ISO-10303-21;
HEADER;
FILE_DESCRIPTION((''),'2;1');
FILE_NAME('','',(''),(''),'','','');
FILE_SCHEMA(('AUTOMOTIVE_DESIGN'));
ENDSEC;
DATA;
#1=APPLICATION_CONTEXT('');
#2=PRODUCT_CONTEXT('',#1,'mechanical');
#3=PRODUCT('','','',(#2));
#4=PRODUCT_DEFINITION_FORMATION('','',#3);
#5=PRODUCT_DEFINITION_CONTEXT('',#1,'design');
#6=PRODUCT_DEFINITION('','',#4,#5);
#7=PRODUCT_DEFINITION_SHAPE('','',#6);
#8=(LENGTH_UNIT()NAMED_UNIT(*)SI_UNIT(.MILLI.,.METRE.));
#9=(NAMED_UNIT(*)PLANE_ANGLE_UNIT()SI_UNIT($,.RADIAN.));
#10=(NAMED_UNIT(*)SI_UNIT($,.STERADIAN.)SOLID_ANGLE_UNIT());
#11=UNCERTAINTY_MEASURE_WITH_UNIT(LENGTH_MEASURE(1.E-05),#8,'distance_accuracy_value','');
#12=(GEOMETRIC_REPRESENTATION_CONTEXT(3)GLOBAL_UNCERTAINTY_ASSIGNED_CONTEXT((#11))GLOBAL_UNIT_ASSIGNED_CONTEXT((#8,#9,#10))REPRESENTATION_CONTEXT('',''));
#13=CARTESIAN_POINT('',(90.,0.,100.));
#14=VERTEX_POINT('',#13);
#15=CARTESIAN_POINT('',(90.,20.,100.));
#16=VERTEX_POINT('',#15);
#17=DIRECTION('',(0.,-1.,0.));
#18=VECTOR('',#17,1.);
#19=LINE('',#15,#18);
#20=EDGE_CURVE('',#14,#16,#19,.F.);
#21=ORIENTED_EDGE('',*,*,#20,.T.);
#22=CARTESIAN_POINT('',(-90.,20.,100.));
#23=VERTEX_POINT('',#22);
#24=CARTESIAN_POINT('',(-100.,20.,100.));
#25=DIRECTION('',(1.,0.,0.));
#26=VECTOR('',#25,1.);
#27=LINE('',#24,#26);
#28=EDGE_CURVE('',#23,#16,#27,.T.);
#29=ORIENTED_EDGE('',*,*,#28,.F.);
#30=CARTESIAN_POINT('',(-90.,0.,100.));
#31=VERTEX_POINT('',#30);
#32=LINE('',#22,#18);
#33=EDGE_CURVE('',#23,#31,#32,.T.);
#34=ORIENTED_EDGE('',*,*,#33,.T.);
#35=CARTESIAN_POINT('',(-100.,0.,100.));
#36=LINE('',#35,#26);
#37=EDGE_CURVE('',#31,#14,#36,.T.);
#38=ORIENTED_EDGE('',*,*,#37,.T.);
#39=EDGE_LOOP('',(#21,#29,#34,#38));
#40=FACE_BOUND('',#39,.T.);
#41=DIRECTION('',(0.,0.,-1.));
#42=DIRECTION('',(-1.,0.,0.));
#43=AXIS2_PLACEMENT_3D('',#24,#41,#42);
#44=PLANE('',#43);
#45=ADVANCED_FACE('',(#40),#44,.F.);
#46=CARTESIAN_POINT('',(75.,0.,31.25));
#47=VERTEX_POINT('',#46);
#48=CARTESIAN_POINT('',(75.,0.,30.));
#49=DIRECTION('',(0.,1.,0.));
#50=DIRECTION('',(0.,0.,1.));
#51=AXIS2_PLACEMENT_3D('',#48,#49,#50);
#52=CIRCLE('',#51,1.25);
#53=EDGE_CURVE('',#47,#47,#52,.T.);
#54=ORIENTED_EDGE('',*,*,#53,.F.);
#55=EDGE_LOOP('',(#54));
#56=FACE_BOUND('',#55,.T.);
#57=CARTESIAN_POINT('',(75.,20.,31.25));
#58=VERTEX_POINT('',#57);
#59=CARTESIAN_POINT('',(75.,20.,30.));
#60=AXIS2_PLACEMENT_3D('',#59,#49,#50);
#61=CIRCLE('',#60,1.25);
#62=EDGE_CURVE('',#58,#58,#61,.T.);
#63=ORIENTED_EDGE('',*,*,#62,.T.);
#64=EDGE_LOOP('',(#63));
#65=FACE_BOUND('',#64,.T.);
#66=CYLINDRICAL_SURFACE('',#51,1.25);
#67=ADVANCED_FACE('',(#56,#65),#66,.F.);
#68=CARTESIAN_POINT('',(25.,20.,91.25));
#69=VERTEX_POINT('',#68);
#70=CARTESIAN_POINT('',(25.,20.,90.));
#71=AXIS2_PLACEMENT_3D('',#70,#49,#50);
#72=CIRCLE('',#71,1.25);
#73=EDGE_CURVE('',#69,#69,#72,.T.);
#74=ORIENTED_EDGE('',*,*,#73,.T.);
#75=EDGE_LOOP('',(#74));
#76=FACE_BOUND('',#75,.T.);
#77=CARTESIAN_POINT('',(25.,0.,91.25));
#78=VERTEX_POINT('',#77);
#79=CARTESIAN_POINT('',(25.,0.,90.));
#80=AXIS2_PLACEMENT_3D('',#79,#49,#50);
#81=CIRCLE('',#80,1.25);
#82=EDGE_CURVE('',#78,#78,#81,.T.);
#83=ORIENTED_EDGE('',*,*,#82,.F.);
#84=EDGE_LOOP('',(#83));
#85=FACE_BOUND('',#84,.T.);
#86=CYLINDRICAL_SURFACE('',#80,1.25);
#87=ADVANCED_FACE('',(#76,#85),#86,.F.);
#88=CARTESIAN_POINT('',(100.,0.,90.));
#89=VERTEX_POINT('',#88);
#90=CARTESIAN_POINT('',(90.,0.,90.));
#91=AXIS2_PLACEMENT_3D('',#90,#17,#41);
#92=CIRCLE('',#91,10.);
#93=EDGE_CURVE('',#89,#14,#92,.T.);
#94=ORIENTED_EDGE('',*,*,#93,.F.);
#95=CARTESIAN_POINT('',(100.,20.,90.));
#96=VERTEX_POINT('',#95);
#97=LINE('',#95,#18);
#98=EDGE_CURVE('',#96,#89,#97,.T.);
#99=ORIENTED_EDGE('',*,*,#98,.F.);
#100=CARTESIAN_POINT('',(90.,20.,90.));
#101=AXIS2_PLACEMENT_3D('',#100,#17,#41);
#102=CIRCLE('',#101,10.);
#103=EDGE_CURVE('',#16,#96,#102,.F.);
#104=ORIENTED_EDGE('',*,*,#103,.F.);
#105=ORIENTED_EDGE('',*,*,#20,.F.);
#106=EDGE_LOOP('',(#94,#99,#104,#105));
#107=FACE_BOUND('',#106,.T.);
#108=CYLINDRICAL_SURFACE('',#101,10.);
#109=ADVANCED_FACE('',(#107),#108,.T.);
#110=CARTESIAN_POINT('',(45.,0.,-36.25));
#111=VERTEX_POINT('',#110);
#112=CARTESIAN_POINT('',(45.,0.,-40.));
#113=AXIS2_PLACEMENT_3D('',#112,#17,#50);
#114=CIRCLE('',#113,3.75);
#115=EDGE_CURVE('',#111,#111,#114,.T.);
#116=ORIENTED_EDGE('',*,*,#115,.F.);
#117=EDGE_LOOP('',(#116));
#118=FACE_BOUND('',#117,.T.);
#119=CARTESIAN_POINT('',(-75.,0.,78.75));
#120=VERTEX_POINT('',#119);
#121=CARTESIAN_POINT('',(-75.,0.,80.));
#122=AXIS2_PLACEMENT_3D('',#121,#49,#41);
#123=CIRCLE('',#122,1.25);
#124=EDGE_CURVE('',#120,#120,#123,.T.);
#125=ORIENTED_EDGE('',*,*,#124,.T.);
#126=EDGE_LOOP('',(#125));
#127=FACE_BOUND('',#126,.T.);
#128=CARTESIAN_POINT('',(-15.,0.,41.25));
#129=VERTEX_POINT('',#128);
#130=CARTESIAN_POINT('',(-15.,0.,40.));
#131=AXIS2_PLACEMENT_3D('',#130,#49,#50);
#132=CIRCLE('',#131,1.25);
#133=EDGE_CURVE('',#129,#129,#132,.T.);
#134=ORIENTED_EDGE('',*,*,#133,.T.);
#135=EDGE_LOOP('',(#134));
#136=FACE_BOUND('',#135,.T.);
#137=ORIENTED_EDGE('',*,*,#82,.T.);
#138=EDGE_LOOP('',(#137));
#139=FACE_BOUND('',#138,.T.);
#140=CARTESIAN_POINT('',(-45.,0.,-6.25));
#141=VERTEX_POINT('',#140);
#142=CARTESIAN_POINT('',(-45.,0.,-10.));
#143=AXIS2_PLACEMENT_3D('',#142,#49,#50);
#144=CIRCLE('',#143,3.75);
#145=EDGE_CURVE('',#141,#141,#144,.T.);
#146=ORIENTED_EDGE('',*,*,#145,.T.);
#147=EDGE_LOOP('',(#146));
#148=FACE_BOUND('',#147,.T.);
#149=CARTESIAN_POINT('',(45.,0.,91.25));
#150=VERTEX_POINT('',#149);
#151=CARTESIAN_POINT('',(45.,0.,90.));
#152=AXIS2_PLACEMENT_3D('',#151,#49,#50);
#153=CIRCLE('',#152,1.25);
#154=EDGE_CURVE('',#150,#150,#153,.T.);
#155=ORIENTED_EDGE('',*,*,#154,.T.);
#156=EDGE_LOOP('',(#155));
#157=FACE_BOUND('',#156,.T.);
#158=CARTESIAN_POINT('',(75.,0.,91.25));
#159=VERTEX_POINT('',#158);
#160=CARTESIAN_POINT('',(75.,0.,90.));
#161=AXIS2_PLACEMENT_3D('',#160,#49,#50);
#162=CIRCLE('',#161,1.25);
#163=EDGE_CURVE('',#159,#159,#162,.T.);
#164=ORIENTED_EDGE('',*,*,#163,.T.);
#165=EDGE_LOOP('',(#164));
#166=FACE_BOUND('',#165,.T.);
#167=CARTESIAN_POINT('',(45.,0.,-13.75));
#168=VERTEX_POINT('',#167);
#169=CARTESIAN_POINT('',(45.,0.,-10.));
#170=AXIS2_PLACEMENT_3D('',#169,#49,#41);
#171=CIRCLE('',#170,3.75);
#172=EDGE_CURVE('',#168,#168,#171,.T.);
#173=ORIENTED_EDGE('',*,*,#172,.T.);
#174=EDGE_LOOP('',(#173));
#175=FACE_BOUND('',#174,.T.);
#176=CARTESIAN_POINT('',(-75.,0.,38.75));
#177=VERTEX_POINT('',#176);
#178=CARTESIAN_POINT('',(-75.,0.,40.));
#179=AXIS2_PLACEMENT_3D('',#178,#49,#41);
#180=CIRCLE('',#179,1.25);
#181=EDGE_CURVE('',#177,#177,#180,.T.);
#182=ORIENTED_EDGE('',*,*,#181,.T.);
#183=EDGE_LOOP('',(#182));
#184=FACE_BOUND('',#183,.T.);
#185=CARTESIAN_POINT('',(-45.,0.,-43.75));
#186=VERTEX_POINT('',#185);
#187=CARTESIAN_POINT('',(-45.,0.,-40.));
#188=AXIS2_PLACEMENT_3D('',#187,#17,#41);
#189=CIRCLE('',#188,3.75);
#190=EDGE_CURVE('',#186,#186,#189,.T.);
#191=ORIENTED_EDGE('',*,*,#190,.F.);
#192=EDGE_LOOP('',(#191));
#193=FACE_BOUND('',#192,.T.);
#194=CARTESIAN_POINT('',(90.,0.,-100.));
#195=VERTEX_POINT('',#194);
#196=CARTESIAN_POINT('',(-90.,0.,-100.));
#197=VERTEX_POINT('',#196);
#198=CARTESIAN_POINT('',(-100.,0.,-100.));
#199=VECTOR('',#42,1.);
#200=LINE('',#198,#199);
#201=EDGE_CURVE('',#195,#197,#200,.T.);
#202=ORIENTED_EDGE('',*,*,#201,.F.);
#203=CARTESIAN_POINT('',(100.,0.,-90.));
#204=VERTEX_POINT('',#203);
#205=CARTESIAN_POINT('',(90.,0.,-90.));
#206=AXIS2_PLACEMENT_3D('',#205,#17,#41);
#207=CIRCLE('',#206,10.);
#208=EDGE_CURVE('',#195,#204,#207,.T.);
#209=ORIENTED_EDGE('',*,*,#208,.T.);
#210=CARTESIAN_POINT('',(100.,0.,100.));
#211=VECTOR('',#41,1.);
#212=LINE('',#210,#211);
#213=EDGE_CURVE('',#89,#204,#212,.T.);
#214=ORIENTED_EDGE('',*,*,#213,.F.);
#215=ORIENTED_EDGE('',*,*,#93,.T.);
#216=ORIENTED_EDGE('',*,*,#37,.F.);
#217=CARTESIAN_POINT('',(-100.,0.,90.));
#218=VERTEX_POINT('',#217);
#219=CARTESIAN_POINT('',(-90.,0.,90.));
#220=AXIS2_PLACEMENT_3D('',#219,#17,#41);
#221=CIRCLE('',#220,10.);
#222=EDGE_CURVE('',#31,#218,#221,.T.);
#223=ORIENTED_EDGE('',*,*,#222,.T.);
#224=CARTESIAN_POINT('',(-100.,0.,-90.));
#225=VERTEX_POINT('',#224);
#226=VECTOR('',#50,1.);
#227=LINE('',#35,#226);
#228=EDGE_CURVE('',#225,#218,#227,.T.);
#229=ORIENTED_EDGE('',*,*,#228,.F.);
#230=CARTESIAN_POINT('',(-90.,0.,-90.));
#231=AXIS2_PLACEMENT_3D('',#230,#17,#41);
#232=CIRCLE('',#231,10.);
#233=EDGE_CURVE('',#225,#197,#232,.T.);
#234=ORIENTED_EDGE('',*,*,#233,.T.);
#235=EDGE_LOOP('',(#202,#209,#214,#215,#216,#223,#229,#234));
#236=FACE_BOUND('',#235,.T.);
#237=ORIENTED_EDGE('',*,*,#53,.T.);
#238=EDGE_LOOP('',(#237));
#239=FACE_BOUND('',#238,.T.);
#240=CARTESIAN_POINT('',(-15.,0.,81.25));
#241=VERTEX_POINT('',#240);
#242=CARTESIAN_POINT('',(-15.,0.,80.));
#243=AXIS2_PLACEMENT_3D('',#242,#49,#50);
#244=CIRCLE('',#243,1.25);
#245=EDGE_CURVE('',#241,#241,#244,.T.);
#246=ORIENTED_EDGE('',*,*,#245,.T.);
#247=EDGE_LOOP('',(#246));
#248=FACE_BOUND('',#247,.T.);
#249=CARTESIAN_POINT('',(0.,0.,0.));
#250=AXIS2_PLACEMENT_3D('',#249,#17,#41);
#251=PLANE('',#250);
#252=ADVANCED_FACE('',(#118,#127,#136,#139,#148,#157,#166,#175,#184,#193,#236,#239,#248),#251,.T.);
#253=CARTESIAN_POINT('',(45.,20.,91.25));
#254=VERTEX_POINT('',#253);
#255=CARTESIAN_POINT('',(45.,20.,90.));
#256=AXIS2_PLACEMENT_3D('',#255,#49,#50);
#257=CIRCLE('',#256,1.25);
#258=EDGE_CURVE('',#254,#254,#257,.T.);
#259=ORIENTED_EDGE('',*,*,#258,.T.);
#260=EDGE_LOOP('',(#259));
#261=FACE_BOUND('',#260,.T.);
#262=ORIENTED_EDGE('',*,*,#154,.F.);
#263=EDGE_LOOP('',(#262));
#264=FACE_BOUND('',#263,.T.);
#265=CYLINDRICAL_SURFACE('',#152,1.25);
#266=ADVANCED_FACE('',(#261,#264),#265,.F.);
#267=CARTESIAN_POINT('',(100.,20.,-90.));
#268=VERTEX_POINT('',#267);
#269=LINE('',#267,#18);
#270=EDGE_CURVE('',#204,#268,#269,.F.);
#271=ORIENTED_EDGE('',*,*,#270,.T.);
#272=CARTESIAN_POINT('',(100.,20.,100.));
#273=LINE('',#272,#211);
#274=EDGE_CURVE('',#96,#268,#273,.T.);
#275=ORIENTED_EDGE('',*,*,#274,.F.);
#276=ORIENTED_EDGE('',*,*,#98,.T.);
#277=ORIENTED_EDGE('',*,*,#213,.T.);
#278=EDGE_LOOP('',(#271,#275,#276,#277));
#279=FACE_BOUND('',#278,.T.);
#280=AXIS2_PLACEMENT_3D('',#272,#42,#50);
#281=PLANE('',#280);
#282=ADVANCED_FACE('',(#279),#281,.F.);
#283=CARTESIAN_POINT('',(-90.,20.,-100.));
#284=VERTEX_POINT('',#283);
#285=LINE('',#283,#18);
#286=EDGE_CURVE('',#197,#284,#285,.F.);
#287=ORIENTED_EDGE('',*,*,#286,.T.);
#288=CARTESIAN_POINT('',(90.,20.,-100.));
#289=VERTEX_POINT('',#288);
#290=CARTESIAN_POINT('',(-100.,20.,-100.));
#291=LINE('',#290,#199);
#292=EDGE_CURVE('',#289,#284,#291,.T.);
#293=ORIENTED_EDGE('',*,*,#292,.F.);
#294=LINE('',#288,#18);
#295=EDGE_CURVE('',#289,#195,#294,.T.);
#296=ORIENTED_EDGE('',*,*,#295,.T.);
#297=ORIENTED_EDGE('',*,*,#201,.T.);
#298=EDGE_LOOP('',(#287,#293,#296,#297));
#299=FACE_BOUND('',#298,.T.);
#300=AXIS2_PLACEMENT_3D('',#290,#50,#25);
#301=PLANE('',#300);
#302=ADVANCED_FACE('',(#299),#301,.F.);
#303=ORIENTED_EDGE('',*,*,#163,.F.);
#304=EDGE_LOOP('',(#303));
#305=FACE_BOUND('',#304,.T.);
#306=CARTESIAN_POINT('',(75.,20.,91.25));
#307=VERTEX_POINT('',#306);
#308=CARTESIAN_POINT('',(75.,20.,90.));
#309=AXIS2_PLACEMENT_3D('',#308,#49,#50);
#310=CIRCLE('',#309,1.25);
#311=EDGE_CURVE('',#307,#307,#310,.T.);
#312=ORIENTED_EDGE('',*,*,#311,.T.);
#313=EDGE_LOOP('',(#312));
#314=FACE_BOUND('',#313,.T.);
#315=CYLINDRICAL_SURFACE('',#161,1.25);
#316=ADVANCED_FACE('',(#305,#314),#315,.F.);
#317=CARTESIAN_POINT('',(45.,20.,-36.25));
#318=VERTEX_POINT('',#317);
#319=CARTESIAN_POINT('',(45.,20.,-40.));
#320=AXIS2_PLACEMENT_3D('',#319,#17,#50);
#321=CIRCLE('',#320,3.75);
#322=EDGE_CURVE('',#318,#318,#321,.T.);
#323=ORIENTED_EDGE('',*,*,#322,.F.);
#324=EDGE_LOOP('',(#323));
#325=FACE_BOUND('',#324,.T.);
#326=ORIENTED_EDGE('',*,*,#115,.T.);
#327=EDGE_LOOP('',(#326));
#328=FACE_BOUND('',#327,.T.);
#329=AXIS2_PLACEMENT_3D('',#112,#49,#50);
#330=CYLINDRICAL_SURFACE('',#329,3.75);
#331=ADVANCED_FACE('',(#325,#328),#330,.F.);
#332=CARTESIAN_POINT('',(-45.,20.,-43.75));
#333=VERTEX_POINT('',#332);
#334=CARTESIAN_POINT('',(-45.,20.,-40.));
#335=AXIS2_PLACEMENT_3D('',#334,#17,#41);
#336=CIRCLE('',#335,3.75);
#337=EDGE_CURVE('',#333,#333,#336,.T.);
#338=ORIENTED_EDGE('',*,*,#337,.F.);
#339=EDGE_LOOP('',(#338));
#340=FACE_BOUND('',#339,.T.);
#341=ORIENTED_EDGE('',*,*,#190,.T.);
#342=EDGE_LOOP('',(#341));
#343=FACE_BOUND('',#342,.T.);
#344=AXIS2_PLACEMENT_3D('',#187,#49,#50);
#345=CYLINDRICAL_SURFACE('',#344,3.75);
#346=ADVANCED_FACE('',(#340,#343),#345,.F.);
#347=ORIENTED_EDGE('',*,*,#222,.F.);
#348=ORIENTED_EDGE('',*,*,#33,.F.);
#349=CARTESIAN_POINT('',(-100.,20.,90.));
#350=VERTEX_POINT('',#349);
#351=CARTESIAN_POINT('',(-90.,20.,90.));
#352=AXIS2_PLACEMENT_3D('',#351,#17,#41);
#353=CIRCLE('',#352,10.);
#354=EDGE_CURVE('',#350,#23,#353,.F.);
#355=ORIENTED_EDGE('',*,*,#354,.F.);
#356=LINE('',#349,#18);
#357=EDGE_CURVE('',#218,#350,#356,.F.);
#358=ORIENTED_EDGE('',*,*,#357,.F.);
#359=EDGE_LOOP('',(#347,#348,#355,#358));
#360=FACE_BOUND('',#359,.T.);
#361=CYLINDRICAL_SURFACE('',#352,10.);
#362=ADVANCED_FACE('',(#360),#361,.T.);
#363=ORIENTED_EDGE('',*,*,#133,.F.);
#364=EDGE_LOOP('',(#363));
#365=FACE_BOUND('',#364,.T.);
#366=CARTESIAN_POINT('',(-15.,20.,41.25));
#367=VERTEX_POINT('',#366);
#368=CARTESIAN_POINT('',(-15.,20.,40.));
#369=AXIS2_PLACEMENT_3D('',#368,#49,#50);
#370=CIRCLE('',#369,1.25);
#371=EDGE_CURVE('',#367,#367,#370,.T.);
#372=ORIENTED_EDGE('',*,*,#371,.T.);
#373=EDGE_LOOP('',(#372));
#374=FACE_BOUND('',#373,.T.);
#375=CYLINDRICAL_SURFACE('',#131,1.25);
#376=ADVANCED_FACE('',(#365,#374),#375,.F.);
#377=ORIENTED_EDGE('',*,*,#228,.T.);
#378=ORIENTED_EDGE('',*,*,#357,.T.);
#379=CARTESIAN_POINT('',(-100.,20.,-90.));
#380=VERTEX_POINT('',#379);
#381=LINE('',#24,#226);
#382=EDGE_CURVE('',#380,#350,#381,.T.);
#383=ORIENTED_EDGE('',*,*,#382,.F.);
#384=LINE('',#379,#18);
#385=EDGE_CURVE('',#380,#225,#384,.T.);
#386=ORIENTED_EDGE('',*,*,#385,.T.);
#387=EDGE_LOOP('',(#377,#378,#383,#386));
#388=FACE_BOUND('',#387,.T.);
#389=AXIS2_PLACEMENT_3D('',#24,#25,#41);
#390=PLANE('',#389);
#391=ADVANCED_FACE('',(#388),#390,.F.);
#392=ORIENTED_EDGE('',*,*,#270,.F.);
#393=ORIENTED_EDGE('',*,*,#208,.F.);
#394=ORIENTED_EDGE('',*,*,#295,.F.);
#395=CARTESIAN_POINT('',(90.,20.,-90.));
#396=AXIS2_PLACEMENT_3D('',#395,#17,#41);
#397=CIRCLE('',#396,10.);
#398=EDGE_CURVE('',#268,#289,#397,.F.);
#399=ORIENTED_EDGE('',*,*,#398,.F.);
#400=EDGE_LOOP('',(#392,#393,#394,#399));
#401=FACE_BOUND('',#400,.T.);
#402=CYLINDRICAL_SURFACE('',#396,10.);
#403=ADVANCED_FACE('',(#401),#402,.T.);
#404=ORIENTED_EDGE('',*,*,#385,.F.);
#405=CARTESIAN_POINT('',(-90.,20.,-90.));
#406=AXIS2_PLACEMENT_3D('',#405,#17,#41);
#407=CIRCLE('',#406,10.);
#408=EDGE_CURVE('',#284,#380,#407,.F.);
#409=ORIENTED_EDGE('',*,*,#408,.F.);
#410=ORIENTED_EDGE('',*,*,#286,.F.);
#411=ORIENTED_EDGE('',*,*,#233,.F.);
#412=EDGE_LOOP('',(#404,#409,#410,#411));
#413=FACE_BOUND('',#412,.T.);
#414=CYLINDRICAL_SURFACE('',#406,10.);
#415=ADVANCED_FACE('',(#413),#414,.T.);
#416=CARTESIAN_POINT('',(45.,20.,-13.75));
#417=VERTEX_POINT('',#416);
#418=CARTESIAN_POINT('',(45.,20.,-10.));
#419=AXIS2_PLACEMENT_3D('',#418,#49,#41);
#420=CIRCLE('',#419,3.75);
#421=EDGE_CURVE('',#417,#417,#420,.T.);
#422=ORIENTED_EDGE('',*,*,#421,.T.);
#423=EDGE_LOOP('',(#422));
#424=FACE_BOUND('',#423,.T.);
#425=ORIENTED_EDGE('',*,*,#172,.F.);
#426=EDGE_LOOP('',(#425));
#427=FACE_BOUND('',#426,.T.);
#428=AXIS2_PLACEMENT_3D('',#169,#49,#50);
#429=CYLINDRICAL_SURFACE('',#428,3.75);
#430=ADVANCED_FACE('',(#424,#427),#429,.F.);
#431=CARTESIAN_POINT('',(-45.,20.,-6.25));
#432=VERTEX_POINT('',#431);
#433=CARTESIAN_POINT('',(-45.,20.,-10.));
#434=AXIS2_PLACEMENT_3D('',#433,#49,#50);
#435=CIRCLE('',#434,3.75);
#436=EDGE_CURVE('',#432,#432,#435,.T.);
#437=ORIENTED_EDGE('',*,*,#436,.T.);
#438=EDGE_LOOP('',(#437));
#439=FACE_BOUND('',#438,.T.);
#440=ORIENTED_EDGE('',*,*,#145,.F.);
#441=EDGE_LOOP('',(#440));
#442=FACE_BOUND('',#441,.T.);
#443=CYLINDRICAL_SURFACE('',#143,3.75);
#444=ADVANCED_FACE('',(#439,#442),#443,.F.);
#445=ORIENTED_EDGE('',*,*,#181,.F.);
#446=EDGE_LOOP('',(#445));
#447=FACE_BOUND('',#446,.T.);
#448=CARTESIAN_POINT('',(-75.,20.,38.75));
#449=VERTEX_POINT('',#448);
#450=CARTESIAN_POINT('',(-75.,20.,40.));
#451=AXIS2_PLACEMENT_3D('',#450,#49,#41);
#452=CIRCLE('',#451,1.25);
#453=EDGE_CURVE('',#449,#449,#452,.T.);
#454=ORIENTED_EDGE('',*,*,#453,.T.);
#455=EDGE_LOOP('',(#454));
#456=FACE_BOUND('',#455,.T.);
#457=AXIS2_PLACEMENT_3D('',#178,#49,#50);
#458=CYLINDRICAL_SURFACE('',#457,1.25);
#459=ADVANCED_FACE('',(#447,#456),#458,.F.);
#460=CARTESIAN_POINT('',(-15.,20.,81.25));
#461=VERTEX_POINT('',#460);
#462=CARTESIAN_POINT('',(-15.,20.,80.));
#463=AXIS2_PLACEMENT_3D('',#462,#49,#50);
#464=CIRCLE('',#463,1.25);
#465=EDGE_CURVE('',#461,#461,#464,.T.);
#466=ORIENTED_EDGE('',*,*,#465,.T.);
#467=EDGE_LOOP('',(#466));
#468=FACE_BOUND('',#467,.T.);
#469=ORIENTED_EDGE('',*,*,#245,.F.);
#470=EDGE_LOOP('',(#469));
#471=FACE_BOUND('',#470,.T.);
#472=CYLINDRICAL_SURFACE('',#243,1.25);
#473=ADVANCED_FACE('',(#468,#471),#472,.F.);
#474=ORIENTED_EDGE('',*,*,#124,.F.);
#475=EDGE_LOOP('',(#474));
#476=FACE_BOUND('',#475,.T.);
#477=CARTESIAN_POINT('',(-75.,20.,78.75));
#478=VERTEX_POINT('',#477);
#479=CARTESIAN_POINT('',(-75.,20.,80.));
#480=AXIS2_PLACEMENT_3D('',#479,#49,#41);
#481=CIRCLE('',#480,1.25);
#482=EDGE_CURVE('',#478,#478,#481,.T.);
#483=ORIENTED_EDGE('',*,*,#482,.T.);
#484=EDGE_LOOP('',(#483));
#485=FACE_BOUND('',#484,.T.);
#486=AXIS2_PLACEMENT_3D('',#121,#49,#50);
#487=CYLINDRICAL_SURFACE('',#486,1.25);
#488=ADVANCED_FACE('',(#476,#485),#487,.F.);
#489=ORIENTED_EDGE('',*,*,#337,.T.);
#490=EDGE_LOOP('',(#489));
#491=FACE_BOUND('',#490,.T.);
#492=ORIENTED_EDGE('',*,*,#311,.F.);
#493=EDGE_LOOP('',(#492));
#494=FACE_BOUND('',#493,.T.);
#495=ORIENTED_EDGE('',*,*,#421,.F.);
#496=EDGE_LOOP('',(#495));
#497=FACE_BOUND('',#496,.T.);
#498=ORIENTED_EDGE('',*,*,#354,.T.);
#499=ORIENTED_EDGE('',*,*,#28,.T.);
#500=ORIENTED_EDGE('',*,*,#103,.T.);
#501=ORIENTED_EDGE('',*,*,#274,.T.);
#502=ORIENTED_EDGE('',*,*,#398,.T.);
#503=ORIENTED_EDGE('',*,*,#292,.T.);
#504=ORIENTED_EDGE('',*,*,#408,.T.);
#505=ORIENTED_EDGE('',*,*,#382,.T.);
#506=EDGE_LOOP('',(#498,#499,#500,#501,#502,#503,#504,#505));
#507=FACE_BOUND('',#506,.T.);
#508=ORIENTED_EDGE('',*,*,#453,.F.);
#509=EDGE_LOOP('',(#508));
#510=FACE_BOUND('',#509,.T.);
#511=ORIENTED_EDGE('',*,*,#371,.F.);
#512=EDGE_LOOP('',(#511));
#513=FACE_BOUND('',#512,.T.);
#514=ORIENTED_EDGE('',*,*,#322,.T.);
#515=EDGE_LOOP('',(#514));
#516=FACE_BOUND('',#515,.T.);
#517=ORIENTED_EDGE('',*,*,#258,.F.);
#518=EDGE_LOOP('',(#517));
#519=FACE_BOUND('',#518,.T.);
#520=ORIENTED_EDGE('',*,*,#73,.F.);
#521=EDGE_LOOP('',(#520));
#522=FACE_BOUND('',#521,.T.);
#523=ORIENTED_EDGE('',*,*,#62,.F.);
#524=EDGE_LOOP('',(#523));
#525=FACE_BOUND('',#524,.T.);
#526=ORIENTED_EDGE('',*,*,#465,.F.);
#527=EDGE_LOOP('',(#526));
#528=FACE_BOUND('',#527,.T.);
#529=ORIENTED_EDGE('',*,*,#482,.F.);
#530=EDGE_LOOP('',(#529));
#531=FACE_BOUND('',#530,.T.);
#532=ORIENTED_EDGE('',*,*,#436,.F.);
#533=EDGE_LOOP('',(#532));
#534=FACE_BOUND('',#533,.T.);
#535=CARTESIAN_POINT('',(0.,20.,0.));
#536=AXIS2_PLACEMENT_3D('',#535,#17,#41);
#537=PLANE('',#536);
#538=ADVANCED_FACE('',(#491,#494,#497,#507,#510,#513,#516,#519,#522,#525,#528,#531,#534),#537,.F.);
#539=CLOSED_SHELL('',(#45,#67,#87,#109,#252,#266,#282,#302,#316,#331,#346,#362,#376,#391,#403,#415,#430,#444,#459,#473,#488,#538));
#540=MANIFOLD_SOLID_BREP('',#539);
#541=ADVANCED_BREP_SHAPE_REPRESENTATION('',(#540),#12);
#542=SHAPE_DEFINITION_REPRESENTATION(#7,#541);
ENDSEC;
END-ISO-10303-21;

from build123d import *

# Parameters (mm, degrees)
CROQUIS1_W              = 200
CROQUIS1_H              = 200
SALIENTE_EXTRUIR1_DEPTH = 20
REDONDEO1_R             = 10
CROQUIS5_W              = 120
CROQUIS5_H              = 80
SALIENTE_EXTRUIR3_DEPTH = 20
CROQUIS3_R              = 3.75
CORTAR_EXTRUIR2_DEPTH   = 21
CROQUIS6_R              = 1.25
CORTAR_EXTRUIR3_DEPTH   = 21


with BuildPart() as part:
    # Croquis1 → Saliente-Extruir1 (new body)
    with BuildSketch(Plane(origin=(0, 0, 0), x_dir=(1, 0, 0), z_dir=(0, 1, 0))):
        Rectangle(CROQUIS1_W, CROQUIS1_H)
    extrude(amount=SALIENTE_EXTRUIR1_DEPTH)

    # Redondeo1
    redondeo1_edges = [part.edges().sort_by_distance(p)[0] for p in [
        (100, 10, 100),
        (-100, 10, 100),
        (-100, 10, -100),
        (100, 10, -100),
    ]]
    fillet(redondeo1_edges, radius=REDONDEO1_R)

    # Croquis5 → Saliente-Extruir3 (add)
    with BuildSketch(Plane(origin=(0, 20, 0), x_dir=(1, 0, 0), z_dir=(0, 1, 0))):
        with Locations((0, 20)):
            Rectangle(CROQUIS5_W, CROQUIS5_H)
    extrude(amount=-SALIENTE_EXTRUIR3_DEPTH)

    # Croquis3 → Cortar-Extruir2 (cut, through all)
    with BuildSketch(Plane(origin=(0, 20, 0), x_dir=(1, 0, 0), z_dir=(0, 1, 0))):
        with Locations((-45, 10)):
            Circle(CROQUIS3_R)
        with Locations((45, 10)):
            Circle(CROQUIS3_R)
    cortar_extruir2 = extrude(amount=-CORTAR_EXTRUIR2_DEPTH, mode=Mode.SUBTRACT)

    # Simetría3: Cortar-Extruir2 across plane
    add(cortar_extruir2.mirror(Plane.XY.offset(-25)), mode=Mode.SUBTRACT)

    # Croquis6 → Cortar-Extruir3 (cut, through all)
    with BuildSketch(Plane(origin=(0, 20, 0), x_dir=(1, 0, 0), z_dir=(0, 1, 0))):
        with Locations((75, -90)):
            Circle(CROQUIS6_R)
        with Locations((75, -30)):
            Circle(CROQUIS6_R)
        with Locations((45, -90)):
            Circle(CROQUIS6_R)
        with Locations((25, -90)):
            Circle(CROQUIS6_R)
        with Locations((-15, -80)):
            Circle(CROQUIS6_R)
        with Locations((-15, -40)):
            Circle(CROQUIS6_R)
        with Locations((-75, -40)):
            Circle(CROQUIS6_R)
        with Locations((-75, -80)):
            Circle(CROQUIS6_R)
    extrude(amount=-CORTAR_EXTRUIR3_DEPTH, mode=Mode.SUBTRACT)


solid = part.part
